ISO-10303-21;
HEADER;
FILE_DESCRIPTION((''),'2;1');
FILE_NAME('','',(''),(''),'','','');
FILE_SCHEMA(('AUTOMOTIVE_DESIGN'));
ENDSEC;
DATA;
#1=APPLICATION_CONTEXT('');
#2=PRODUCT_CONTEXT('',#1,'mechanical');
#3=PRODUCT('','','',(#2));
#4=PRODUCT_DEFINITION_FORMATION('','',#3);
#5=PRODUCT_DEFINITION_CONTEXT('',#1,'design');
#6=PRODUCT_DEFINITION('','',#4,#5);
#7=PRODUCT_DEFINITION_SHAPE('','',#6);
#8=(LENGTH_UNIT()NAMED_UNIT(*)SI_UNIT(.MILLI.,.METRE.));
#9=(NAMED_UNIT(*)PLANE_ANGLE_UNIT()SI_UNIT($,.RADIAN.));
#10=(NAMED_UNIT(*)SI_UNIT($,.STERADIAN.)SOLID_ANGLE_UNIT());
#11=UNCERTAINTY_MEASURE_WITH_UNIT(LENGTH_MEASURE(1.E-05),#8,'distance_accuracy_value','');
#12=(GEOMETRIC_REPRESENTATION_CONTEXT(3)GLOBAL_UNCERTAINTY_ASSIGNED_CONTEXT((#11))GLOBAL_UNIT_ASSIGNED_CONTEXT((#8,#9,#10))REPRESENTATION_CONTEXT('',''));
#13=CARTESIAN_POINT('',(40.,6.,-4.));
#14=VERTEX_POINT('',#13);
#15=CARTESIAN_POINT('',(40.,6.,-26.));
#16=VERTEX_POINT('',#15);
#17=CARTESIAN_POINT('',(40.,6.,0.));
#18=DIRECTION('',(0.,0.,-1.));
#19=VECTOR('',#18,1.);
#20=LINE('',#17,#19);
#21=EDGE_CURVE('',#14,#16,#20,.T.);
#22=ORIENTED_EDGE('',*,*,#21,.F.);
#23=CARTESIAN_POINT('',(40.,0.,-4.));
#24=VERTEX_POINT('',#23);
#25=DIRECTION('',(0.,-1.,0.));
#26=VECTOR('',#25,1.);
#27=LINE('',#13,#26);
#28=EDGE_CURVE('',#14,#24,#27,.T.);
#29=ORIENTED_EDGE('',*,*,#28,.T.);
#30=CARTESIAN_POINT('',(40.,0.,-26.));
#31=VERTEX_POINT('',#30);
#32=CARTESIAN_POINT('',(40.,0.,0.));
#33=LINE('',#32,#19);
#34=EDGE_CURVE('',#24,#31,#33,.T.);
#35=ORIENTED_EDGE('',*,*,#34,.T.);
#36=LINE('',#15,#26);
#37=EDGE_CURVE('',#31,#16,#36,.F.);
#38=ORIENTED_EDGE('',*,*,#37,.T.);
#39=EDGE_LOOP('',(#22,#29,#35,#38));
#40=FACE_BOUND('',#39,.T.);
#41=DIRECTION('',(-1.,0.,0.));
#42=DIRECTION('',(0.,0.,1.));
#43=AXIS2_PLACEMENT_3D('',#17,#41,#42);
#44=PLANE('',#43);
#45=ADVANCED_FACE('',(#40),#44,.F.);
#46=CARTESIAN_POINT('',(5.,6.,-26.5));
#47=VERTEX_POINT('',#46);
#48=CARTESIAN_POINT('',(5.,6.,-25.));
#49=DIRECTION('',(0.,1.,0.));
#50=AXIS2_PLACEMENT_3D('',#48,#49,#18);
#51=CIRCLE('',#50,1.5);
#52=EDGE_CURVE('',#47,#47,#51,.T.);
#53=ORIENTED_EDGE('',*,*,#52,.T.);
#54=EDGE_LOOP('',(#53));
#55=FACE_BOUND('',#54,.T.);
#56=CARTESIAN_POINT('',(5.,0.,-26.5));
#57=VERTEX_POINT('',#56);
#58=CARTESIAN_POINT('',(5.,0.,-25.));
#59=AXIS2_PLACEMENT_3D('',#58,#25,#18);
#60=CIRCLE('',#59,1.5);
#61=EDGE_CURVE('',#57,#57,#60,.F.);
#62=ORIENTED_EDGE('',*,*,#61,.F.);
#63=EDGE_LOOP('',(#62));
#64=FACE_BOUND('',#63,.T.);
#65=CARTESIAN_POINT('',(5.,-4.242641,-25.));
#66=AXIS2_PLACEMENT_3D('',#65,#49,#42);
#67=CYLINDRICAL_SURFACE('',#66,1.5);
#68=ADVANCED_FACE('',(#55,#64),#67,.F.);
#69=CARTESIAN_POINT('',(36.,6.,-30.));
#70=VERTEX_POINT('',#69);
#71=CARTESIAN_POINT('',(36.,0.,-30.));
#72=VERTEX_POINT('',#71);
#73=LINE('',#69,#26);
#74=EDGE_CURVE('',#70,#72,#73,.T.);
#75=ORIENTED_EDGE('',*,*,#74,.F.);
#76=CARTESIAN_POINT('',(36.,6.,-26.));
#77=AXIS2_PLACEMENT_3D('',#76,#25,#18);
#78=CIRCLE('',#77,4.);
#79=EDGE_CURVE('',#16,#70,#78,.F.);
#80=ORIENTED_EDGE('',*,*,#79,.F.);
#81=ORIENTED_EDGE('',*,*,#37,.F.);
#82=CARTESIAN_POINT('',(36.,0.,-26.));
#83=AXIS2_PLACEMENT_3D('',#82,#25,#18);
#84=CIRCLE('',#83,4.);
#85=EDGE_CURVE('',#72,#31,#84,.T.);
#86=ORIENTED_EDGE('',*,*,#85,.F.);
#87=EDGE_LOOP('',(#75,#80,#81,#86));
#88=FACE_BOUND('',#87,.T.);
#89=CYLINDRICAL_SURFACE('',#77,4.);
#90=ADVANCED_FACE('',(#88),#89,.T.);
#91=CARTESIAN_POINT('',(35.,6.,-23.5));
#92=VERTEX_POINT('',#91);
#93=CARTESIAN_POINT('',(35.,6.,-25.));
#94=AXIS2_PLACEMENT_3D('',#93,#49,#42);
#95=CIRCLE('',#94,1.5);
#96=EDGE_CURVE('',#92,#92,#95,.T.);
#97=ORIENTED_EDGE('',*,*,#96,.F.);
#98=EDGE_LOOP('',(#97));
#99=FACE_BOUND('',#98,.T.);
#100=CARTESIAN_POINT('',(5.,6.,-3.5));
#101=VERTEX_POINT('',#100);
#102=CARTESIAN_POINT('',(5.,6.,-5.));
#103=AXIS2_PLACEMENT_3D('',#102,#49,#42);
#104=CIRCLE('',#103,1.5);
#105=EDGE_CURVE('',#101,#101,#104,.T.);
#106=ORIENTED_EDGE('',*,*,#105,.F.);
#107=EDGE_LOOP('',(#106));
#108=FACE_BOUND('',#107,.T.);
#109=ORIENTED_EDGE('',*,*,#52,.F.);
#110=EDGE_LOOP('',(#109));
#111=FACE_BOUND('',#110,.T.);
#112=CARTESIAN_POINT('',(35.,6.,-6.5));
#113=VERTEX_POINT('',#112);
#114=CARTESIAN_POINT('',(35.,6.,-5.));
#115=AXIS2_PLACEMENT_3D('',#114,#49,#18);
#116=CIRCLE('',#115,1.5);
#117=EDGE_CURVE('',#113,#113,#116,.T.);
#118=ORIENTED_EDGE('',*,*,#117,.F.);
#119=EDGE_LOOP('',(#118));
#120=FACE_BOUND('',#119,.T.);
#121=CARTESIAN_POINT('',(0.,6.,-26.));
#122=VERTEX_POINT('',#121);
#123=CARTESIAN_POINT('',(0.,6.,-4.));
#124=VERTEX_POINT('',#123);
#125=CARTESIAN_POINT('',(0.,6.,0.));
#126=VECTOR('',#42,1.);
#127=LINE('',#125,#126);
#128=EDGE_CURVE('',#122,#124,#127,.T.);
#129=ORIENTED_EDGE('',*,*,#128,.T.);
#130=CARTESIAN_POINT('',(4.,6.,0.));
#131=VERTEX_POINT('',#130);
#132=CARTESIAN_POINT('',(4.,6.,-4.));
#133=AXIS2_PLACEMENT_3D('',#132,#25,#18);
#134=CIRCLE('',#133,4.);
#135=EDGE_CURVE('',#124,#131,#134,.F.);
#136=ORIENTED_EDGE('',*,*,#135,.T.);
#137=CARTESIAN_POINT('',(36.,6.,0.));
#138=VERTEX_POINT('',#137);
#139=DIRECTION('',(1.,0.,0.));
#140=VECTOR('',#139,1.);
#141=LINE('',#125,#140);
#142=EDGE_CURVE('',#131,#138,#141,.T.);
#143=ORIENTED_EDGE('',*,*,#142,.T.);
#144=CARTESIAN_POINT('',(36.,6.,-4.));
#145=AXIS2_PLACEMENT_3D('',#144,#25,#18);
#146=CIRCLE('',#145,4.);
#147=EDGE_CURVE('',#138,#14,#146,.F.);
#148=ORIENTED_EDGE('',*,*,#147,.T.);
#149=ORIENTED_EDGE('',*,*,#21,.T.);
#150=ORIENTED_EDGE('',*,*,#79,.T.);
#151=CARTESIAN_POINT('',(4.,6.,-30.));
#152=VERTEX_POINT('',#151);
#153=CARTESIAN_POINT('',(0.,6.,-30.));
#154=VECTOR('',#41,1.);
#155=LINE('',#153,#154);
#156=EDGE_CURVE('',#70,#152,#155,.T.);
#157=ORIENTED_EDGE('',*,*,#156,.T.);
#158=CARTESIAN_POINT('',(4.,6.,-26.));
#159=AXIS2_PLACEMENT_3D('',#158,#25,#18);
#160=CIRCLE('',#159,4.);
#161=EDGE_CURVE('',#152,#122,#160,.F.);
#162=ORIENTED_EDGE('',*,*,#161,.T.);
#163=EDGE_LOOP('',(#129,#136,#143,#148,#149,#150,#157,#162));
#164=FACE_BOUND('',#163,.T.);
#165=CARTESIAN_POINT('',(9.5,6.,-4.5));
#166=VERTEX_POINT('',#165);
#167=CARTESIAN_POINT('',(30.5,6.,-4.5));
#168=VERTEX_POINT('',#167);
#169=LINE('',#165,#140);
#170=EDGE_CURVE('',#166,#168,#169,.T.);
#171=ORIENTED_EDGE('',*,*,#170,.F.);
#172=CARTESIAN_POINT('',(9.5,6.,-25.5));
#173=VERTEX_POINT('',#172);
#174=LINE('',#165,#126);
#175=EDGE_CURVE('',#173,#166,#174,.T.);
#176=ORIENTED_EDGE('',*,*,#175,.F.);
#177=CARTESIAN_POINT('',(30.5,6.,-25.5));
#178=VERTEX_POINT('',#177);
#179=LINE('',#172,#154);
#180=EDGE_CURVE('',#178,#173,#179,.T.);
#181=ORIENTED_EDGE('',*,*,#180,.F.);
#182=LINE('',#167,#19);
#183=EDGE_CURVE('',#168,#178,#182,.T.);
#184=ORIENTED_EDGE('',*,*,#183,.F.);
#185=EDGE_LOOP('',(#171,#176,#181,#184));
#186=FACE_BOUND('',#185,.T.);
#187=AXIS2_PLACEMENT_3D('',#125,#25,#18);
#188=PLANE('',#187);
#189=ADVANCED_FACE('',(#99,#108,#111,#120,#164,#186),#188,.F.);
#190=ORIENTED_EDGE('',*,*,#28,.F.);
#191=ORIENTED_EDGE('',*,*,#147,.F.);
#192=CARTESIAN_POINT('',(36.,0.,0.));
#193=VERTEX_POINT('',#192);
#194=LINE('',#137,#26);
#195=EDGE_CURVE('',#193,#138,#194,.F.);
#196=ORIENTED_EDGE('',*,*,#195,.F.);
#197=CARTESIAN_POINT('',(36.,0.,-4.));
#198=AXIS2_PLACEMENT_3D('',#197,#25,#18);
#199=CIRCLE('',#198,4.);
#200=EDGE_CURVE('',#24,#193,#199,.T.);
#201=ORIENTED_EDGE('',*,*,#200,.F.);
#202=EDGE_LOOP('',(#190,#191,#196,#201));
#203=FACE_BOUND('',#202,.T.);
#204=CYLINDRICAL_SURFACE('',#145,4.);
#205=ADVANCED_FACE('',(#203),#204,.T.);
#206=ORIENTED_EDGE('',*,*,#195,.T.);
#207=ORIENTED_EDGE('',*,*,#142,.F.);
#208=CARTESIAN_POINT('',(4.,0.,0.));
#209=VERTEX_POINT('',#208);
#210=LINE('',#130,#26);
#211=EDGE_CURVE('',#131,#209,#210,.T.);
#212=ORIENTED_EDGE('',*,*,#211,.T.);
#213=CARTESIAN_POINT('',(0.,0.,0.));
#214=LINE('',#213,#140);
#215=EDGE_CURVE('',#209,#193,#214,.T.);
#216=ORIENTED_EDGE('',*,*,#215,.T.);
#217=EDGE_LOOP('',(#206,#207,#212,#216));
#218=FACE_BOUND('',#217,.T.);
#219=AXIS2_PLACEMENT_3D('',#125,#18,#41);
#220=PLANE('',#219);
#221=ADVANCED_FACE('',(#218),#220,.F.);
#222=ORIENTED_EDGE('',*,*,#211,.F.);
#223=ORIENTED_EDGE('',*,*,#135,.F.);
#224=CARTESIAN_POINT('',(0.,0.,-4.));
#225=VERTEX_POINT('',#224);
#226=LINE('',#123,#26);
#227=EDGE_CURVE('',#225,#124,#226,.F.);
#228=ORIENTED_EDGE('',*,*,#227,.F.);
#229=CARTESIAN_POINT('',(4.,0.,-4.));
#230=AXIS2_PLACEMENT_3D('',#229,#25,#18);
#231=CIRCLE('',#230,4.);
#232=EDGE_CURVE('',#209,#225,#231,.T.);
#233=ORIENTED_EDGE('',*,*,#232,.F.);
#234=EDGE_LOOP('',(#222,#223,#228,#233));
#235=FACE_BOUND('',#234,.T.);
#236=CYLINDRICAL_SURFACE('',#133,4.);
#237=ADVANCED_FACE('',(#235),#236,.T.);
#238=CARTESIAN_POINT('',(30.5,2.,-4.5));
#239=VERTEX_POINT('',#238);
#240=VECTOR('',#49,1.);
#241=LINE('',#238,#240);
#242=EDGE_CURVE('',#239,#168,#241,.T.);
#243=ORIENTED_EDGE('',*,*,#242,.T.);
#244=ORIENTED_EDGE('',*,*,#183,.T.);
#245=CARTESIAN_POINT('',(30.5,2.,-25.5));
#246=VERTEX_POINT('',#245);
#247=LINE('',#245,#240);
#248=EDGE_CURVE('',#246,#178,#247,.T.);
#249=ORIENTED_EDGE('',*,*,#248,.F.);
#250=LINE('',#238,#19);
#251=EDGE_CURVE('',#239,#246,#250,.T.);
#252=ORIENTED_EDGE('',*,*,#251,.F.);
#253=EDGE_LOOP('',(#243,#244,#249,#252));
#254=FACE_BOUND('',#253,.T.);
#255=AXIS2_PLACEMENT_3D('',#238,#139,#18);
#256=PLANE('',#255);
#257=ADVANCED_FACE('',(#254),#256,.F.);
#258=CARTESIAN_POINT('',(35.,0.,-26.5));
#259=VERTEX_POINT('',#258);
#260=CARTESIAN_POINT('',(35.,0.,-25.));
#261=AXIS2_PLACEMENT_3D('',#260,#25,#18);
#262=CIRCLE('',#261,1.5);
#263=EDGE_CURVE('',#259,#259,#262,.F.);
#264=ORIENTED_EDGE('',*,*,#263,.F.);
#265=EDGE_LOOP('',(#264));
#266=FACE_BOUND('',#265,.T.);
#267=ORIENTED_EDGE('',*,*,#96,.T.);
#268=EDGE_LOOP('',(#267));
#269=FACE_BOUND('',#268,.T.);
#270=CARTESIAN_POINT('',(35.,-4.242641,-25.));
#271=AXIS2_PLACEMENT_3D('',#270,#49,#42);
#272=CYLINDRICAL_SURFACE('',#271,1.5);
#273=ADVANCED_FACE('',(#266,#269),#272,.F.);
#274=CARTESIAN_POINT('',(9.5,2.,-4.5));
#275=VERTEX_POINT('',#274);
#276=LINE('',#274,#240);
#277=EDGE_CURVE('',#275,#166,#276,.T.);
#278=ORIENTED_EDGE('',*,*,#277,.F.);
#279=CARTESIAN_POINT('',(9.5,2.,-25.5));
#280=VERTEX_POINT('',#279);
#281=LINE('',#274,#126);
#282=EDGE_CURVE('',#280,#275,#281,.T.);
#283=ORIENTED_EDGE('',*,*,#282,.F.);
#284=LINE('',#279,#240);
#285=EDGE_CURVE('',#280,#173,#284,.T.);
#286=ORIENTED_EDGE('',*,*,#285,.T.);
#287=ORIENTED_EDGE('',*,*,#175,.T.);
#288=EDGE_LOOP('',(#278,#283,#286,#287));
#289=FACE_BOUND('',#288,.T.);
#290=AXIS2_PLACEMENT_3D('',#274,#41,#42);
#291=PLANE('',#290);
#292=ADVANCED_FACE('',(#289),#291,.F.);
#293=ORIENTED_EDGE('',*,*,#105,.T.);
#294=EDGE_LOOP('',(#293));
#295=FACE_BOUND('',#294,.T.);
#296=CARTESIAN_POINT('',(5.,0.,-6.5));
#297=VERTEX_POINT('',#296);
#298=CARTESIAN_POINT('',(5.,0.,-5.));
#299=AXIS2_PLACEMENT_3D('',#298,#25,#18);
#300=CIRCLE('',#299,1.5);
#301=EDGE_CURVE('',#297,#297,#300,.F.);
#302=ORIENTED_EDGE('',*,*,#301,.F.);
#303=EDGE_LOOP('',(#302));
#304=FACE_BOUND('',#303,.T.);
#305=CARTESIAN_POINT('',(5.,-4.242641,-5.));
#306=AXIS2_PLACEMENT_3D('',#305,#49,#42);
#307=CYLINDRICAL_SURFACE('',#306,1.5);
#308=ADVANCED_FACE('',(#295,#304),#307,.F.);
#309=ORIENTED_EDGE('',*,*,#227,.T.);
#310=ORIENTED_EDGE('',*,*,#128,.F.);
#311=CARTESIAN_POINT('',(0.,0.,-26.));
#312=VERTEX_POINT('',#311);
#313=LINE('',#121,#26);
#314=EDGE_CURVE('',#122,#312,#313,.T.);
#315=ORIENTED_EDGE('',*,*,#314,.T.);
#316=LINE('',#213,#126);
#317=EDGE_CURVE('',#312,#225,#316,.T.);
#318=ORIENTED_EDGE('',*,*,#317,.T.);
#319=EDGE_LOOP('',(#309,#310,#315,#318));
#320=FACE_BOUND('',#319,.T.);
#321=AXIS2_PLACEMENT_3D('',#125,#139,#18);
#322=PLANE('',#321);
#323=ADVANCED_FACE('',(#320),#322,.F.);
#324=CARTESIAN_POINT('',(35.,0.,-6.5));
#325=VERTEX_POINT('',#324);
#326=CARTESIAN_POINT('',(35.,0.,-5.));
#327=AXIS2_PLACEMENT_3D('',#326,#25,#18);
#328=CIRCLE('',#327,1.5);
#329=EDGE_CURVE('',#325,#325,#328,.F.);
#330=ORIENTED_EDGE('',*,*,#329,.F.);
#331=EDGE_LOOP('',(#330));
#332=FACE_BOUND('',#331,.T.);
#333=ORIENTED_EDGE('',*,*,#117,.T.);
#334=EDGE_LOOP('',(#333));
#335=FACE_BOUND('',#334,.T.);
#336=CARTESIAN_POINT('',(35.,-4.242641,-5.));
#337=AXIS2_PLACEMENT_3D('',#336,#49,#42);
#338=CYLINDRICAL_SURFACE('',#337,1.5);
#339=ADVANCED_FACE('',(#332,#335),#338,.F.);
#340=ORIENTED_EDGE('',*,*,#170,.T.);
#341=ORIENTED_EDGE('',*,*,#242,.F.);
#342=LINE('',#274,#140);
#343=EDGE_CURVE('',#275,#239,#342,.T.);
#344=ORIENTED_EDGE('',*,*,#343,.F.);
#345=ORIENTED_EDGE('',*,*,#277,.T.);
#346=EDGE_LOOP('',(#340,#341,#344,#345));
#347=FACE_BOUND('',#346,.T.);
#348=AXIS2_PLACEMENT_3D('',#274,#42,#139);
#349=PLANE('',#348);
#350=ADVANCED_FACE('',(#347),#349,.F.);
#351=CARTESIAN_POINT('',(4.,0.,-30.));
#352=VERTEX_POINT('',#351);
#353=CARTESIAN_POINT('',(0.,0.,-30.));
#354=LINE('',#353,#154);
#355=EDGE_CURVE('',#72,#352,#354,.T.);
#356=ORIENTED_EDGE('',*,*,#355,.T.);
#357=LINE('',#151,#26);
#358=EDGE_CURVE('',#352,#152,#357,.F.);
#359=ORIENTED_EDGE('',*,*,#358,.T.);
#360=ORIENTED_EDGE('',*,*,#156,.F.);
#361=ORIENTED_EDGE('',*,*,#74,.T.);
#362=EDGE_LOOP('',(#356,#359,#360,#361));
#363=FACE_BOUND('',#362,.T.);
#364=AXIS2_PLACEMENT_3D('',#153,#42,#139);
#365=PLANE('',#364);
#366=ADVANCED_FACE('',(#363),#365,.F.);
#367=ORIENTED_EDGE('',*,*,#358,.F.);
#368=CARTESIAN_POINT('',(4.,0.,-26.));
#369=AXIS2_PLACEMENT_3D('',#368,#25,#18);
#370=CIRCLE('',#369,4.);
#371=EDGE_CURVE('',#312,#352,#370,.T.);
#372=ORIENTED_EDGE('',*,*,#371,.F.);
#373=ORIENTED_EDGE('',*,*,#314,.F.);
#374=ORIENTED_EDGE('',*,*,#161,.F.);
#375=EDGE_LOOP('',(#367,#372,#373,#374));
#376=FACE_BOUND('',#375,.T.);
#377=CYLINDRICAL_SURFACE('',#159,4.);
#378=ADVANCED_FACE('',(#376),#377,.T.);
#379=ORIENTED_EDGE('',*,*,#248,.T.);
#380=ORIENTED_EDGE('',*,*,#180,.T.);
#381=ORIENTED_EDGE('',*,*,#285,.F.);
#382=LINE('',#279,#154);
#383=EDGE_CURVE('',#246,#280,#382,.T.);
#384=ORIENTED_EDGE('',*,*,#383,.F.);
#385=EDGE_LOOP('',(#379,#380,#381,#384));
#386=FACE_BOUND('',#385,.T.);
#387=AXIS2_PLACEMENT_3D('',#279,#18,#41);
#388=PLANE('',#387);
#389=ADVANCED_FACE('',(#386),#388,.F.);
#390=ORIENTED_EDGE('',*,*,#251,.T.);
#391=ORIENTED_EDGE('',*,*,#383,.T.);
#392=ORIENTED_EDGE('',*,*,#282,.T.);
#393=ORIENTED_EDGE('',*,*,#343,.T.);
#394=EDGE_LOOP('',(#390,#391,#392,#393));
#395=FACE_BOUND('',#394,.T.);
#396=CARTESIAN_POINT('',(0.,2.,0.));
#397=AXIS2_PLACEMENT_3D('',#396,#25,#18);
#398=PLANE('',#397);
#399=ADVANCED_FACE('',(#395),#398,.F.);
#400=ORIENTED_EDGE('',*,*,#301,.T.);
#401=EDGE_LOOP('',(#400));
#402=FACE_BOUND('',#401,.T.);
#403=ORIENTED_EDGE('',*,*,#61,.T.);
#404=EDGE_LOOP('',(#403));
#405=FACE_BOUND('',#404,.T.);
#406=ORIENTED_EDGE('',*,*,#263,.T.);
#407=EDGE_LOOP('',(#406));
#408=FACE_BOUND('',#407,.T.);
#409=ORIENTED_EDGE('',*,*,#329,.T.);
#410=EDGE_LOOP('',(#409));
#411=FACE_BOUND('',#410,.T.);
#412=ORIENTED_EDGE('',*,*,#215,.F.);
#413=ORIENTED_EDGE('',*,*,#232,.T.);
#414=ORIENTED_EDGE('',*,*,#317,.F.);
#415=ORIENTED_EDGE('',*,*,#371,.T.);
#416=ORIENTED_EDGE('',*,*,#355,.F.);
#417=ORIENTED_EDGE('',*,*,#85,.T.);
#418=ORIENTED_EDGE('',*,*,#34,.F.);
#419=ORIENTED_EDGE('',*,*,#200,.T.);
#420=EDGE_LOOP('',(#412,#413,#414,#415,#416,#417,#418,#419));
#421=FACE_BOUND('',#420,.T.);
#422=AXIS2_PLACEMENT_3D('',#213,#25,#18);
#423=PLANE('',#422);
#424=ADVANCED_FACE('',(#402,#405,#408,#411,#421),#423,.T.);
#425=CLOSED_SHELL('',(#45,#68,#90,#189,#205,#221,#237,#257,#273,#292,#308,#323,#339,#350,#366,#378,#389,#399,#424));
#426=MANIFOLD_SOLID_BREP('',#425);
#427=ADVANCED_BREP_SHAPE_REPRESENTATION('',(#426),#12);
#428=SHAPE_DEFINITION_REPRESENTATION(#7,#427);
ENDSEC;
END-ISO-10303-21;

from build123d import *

# Parameters (mm, degrees)
SKETCH1_W           = 40
SKETCH1_H           = 30
BOSS_EXTRUDE1_DEPTH = 6
SKETCH2_R           = 1.5
CUT_EXTRUDE1_DEPTH  = 6
FILLET1_R           = 4
SKETCH3_W           = 21
SKETCH3_H           = 21
CUT_EXTRUDE2_DEPTH  = 4


with BuildPart() as part:
    # Sketch1 → Boss-Extrude1 (new body)
    with BuildSketch(Plane(origin=(0, 0, 0), x_dir=(1, 0, 0), z_dir=(0, 1, 0))):
        with Locations((20, 15)):
            Rectangle(SKETCH1_W, SKETCH1_H)
    extrude(amount=BOSS_EXTRUDE1_DEPTH)

    # Sketch2 → Cut-Extrude1 (cut)
    with BuildSketch(Plane(origin=(0, 6, 0), x_dir=(1, 0, 0), z_dir=(0, 1, 0))):
        with Locations(Location((5, 5, 0), (0, 0, 270))):
            Circle(SKETCH2_R)
        with Locations(Location((5, 25, 0), (0, 0, 90))):
            Circle(SKETCH2_R)
        with Locations(Location((35, 5, 0), (0, 0, 90))):
            Circle(SKETCH2_R)
        with Locations(Location((35, 25, 0), (0, 0, 270))):
            Circle(SKETCH2_R)
    extrude(amount=-CUT_EXTRUDE1_DEPTH, mode=Mode.SUBTRACT)

    # Fillet1
    fillet1_edges = [part.edges().sort_by_distance(p)[0] for p in [
        (0, 3, -30),
        (40, 3, -30),
        (40, 3, 0),
        (0, 3, 0),
    ]]
    fillet(fillet1_edges, radius=FILLET1_R)

    # Sketch3 → Cut-Extrude2 (cut)
    with BuildSketch(Plane(origin=(0, 6, 0), x_dir=(1, 0, 0), z_dir=(0, 1, 0))):
        with Locations((20, 15)):
            Rectangle(SKETCH3_W, SKETCH3_H)
    extrude(amount=-CUT_EXTRUDE2_DEPTH, mode=Mode.SUBTRACT)


solid = part.part
